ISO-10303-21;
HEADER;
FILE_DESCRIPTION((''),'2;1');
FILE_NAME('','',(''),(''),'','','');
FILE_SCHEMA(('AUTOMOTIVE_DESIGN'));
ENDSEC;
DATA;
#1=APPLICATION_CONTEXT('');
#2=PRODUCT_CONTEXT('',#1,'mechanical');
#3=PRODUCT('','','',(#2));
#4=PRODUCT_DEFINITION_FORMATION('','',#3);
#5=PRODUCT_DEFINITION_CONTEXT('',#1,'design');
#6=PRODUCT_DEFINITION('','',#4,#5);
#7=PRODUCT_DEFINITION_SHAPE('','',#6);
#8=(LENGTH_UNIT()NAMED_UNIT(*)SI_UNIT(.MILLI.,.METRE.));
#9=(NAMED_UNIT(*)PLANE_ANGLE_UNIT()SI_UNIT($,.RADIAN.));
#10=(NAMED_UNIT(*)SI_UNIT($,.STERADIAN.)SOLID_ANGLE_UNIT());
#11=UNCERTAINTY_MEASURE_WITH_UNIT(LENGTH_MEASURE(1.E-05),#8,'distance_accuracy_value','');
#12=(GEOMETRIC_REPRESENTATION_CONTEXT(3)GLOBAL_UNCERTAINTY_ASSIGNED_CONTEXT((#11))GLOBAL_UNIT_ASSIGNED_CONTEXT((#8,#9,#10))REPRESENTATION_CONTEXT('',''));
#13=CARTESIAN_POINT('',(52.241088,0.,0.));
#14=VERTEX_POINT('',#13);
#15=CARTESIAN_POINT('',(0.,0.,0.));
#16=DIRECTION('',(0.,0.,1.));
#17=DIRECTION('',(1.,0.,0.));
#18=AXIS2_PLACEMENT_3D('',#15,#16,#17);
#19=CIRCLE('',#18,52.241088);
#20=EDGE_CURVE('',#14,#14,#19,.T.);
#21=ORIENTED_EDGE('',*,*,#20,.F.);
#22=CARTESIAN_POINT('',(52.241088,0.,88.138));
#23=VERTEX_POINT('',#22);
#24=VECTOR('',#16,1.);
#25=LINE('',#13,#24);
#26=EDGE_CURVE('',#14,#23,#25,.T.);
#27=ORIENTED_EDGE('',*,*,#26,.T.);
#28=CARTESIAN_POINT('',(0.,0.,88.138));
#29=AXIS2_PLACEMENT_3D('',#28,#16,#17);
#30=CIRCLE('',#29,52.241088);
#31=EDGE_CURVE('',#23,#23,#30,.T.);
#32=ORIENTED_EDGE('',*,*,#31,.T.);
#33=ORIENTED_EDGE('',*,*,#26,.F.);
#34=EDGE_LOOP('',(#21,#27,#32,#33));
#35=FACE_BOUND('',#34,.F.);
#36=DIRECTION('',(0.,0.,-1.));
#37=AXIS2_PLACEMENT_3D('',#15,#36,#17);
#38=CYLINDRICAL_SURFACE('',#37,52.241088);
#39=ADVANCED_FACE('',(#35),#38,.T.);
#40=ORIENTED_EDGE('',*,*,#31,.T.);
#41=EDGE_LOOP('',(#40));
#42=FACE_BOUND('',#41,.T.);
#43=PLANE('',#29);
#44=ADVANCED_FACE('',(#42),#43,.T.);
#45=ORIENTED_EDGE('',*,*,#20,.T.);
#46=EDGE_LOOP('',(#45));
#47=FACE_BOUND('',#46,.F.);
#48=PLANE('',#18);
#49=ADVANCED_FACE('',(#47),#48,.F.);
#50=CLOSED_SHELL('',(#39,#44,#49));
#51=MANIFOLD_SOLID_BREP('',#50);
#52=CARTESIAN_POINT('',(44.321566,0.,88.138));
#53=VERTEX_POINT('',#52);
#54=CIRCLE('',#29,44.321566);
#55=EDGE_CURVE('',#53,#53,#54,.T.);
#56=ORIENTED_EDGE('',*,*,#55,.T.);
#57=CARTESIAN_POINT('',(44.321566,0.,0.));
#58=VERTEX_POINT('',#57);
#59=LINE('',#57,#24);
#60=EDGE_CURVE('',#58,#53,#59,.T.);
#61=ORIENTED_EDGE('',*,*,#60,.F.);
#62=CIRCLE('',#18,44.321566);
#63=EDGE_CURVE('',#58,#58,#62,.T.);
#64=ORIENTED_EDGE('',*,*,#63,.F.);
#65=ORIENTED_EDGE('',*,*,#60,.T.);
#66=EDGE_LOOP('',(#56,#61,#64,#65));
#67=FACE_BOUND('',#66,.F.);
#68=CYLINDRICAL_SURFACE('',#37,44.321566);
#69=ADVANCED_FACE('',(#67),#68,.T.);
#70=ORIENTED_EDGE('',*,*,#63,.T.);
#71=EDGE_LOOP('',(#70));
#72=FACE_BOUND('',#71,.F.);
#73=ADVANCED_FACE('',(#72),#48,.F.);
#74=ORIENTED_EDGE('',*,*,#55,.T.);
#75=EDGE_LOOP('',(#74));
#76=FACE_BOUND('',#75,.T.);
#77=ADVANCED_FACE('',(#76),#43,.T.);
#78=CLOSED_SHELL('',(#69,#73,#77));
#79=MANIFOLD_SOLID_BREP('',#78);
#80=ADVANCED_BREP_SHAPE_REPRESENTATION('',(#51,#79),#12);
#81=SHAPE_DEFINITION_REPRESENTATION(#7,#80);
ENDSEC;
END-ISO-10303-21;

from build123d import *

# Parameters (mm, degrees)
F0_R     = 52.2410881723
F2_DEPTH = 88.138
F1_R     = 44.3215662199


with BuildPart() as f2:
    # F0 (on Top) → F2 (new body)
    with BuildSketch(Plane.XY):
        Circle(F0_R)
    extrude(amount=F2_DEPTH)


with BuildPart() as f2b:
    # F1 (on Top) → F2, piece 2 (new body)
    with BuildSketch(Plane.XY):
        Circle(F1_R)
    extrude(amount=F2_DEPTH)


solid = Compound([f2.part, f2b.part])
